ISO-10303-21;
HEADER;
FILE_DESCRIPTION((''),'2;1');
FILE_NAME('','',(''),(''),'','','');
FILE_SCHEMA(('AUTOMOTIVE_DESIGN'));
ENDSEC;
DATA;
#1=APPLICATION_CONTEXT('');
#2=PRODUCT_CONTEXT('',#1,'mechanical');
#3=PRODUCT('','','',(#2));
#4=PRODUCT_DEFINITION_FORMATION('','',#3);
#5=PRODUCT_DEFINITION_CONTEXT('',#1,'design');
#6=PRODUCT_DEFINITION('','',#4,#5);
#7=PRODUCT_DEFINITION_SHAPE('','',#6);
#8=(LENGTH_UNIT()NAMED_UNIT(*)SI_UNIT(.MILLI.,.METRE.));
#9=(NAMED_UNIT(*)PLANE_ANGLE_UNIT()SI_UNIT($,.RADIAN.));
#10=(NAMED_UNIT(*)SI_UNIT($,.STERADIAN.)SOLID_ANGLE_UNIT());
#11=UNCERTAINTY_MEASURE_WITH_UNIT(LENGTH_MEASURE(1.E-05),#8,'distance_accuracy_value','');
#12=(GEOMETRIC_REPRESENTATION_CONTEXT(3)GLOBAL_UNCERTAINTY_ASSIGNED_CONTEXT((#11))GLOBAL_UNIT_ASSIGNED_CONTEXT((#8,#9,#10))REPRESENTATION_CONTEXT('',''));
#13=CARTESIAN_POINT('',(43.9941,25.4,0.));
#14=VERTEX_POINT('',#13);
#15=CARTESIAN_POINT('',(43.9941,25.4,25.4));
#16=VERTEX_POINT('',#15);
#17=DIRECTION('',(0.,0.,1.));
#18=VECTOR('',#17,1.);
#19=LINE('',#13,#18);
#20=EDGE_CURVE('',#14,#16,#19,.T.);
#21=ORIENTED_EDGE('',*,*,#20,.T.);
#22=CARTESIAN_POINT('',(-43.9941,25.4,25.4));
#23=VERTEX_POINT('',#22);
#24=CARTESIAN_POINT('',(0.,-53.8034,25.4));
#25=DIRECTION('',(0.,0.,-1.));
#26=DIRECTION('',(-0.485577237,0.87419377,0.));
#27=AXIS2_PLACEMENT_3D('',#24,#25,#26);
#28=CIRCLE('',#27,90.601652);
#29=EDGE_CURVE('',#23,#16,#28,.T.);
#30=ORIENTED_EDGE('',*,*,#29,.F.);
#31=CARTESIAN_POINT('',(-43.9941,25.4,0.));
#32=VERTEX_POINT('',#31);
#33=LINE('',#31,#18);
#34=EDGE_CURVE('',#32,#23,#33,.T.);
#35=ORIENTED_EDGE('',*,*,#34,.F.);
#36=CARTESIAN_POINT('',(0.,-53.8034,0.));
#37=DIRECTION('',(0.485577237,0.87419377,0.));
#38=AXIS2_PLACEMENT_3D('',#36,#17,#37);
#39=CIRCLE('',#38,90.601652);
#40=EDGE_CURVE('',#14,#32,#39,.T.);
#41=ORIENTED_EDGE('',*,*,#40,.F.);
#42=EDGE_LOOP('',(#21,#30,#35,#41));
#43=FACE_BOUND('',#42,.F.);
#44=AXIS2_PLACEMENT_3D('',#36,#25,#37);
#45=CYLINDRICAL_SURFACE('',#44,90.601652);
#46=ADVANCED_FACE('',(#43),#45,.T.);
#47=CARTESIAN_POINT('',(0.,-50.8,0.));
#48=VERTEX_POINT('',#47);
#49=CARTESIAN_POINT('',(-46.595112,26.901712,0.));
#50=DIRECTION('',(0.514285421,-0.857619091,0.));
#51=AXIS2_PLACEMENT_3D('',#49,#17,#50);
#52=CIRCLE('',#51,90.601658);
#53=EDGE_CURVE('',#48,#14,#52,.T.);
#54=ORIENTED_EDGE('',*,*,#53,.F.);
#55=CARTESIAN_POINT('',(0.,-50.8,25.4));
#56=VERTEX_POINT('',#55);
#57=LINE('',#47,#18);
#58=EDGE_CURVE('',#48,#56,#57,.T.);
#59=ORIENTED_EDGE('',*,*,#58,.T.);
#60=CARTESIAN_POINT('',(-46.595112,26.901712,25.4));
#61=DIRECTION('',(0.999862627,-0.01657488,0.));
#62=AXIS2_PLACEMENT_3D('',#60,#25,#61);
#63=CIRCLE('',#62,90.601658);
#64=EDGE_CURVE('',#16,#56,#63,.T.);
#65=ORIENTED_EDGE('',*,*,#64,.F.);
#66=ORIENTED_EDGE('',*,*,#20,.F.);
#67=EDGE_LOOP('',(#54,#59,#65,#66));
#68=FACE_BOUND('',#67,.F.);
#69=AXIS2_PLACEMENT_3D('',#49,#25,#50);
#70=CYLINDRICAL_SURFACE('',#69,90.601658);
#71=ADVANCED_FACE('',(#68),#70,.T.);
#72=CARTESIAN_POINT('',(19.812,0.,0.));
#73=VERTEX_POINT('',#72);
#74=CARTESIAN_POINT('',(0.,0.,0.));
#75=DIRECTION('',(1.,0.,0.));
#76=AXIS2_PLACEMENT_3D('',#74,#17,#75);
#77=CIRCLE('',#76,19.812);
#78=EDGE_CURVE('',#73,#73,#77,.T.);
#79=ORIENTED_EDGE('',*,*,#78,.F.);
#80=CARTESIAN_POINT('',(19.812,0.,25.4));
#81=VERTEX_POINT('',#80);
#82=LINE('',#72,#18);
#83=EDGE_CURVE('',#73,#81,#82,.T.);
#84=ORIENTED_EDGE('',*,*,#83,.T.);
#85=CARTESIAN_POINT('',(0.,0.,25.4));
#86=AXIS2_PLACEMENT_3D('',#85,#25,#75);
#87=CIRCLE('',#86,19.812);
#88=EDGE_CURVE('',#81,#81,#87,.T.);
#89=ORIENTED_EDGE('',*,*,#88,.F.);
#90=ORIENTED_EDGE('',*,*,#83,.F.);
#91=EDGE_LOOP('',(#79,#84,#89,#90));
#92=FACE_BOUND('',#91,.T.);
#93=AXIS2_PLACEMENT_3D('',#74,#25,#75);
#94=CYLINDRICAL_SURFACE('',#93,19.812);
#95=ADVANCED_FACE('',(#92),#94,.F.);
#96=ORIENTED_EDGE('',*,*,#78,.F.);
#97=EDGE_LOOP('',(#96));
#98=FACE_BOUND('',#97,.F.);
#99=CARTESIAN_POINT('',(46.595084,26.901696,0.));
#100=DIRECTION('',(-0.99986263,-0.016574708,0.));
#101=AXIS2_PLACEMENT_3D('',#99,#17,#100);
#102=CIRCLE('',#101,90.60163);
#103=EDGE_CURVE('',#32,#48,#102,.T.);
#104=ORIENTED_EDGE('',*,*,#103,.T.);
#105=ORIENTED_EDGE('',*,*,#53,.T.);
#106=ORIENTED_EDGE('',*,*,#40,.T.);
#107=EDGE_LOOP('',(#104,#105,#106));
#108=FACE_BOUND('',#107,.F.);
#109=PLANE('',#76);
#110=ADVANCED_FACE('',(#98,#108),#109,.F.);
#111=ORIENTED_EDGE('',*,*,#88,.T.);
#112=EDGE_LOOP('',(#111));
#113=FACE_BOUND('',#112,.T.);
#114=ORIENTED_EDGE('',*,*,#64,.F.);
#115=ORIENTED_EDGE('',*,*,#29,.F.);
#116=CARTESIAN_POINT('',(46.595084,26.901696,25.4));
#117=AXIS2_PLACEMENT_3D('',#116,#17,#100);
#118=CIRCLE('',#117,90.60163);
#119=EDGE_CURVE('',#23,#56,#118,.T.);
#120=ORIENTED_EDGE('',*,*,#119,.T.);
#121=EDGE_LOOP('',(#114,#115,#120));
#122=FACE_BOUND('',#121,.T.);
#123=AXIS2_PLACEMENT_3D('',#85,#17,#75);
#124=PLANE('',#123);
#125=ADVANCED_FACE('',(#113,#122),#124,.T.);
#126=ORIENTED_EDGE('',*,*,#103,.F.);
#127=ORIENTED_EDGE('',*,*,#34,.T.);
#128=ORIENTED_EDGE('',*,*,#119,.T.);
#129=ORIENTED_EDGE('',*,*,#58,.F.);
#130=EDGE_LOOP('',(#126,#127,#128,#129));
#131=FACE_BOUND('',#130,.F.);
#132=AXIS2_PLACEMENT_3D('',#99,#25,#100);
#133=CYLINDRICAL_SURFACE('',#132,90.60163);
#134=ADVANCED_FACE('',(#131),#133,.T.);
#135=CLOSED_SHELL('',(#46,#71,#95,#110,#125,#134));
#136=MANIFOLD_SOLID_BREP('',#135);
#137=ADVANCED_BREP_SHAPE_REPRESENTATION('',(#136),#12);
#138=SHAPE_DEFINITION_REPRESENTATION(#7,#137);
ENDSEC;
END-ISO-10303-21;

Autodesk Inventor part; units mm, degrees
ref_plane "YZ Plane" through (0, 0, 0) normal (1, 0, 0) x (0, 1, 0)
ref_plane "XZ Plane" through (0, 0, 0) normal (0, 1, 0) x (-1, 0, 0)
ref_plane "XY Plane" through (0, 0, 0) normal (0, 0, 1) x (1, 0, 0)
sketch "Sketch1" plane through (0, 0, 0) normal (0, 0, 1) x (1, 0, 0)
  line L0 (0, -50.8) -> (-43.9941, 25.4)
  line L1 (43.9941, 25.4) -> (0, -50.8)
  line L2 (-43.9941, 25.4) -> (43.9941, 25.4)
  line L3 (0, -50.8) -> (0, 0)
  line L4 (0, 0) -> (41.6526, 0)
  line L5 (0, 37.592) -> (0, 36.7982)
  arc A0 (43.9941, 25.4) -> (-43.9941, 25.4) centre (0, -53.8034) ccw
  arc A1 (0, -50.8) -> (43.9941, 25.4) centre (-46.5951, 26.9017) ccw
  arc A2 (-43.9941, 25.4) -> (0, -50.8) centre (46.5951, 26.9017) ccw
  circle A3 centre (0, 0) radius 19.812
  point P0 (57.404, -6.604)
  dimension "d7" = 30
  dimension "d8" = 30
  dimension "d9" = 0.7937
  dimension "d10" = 39.624
extrude "Extrusion1" add sketch "Sketch1" along normal blind 25.4 contours A2 L0 | L3 A3 L4 L1 | L0 L2 L1 L4 A3 L3 | L1 L4 A1 | A0 L2 | L1 A1 L4
properties part number "Rotor"
